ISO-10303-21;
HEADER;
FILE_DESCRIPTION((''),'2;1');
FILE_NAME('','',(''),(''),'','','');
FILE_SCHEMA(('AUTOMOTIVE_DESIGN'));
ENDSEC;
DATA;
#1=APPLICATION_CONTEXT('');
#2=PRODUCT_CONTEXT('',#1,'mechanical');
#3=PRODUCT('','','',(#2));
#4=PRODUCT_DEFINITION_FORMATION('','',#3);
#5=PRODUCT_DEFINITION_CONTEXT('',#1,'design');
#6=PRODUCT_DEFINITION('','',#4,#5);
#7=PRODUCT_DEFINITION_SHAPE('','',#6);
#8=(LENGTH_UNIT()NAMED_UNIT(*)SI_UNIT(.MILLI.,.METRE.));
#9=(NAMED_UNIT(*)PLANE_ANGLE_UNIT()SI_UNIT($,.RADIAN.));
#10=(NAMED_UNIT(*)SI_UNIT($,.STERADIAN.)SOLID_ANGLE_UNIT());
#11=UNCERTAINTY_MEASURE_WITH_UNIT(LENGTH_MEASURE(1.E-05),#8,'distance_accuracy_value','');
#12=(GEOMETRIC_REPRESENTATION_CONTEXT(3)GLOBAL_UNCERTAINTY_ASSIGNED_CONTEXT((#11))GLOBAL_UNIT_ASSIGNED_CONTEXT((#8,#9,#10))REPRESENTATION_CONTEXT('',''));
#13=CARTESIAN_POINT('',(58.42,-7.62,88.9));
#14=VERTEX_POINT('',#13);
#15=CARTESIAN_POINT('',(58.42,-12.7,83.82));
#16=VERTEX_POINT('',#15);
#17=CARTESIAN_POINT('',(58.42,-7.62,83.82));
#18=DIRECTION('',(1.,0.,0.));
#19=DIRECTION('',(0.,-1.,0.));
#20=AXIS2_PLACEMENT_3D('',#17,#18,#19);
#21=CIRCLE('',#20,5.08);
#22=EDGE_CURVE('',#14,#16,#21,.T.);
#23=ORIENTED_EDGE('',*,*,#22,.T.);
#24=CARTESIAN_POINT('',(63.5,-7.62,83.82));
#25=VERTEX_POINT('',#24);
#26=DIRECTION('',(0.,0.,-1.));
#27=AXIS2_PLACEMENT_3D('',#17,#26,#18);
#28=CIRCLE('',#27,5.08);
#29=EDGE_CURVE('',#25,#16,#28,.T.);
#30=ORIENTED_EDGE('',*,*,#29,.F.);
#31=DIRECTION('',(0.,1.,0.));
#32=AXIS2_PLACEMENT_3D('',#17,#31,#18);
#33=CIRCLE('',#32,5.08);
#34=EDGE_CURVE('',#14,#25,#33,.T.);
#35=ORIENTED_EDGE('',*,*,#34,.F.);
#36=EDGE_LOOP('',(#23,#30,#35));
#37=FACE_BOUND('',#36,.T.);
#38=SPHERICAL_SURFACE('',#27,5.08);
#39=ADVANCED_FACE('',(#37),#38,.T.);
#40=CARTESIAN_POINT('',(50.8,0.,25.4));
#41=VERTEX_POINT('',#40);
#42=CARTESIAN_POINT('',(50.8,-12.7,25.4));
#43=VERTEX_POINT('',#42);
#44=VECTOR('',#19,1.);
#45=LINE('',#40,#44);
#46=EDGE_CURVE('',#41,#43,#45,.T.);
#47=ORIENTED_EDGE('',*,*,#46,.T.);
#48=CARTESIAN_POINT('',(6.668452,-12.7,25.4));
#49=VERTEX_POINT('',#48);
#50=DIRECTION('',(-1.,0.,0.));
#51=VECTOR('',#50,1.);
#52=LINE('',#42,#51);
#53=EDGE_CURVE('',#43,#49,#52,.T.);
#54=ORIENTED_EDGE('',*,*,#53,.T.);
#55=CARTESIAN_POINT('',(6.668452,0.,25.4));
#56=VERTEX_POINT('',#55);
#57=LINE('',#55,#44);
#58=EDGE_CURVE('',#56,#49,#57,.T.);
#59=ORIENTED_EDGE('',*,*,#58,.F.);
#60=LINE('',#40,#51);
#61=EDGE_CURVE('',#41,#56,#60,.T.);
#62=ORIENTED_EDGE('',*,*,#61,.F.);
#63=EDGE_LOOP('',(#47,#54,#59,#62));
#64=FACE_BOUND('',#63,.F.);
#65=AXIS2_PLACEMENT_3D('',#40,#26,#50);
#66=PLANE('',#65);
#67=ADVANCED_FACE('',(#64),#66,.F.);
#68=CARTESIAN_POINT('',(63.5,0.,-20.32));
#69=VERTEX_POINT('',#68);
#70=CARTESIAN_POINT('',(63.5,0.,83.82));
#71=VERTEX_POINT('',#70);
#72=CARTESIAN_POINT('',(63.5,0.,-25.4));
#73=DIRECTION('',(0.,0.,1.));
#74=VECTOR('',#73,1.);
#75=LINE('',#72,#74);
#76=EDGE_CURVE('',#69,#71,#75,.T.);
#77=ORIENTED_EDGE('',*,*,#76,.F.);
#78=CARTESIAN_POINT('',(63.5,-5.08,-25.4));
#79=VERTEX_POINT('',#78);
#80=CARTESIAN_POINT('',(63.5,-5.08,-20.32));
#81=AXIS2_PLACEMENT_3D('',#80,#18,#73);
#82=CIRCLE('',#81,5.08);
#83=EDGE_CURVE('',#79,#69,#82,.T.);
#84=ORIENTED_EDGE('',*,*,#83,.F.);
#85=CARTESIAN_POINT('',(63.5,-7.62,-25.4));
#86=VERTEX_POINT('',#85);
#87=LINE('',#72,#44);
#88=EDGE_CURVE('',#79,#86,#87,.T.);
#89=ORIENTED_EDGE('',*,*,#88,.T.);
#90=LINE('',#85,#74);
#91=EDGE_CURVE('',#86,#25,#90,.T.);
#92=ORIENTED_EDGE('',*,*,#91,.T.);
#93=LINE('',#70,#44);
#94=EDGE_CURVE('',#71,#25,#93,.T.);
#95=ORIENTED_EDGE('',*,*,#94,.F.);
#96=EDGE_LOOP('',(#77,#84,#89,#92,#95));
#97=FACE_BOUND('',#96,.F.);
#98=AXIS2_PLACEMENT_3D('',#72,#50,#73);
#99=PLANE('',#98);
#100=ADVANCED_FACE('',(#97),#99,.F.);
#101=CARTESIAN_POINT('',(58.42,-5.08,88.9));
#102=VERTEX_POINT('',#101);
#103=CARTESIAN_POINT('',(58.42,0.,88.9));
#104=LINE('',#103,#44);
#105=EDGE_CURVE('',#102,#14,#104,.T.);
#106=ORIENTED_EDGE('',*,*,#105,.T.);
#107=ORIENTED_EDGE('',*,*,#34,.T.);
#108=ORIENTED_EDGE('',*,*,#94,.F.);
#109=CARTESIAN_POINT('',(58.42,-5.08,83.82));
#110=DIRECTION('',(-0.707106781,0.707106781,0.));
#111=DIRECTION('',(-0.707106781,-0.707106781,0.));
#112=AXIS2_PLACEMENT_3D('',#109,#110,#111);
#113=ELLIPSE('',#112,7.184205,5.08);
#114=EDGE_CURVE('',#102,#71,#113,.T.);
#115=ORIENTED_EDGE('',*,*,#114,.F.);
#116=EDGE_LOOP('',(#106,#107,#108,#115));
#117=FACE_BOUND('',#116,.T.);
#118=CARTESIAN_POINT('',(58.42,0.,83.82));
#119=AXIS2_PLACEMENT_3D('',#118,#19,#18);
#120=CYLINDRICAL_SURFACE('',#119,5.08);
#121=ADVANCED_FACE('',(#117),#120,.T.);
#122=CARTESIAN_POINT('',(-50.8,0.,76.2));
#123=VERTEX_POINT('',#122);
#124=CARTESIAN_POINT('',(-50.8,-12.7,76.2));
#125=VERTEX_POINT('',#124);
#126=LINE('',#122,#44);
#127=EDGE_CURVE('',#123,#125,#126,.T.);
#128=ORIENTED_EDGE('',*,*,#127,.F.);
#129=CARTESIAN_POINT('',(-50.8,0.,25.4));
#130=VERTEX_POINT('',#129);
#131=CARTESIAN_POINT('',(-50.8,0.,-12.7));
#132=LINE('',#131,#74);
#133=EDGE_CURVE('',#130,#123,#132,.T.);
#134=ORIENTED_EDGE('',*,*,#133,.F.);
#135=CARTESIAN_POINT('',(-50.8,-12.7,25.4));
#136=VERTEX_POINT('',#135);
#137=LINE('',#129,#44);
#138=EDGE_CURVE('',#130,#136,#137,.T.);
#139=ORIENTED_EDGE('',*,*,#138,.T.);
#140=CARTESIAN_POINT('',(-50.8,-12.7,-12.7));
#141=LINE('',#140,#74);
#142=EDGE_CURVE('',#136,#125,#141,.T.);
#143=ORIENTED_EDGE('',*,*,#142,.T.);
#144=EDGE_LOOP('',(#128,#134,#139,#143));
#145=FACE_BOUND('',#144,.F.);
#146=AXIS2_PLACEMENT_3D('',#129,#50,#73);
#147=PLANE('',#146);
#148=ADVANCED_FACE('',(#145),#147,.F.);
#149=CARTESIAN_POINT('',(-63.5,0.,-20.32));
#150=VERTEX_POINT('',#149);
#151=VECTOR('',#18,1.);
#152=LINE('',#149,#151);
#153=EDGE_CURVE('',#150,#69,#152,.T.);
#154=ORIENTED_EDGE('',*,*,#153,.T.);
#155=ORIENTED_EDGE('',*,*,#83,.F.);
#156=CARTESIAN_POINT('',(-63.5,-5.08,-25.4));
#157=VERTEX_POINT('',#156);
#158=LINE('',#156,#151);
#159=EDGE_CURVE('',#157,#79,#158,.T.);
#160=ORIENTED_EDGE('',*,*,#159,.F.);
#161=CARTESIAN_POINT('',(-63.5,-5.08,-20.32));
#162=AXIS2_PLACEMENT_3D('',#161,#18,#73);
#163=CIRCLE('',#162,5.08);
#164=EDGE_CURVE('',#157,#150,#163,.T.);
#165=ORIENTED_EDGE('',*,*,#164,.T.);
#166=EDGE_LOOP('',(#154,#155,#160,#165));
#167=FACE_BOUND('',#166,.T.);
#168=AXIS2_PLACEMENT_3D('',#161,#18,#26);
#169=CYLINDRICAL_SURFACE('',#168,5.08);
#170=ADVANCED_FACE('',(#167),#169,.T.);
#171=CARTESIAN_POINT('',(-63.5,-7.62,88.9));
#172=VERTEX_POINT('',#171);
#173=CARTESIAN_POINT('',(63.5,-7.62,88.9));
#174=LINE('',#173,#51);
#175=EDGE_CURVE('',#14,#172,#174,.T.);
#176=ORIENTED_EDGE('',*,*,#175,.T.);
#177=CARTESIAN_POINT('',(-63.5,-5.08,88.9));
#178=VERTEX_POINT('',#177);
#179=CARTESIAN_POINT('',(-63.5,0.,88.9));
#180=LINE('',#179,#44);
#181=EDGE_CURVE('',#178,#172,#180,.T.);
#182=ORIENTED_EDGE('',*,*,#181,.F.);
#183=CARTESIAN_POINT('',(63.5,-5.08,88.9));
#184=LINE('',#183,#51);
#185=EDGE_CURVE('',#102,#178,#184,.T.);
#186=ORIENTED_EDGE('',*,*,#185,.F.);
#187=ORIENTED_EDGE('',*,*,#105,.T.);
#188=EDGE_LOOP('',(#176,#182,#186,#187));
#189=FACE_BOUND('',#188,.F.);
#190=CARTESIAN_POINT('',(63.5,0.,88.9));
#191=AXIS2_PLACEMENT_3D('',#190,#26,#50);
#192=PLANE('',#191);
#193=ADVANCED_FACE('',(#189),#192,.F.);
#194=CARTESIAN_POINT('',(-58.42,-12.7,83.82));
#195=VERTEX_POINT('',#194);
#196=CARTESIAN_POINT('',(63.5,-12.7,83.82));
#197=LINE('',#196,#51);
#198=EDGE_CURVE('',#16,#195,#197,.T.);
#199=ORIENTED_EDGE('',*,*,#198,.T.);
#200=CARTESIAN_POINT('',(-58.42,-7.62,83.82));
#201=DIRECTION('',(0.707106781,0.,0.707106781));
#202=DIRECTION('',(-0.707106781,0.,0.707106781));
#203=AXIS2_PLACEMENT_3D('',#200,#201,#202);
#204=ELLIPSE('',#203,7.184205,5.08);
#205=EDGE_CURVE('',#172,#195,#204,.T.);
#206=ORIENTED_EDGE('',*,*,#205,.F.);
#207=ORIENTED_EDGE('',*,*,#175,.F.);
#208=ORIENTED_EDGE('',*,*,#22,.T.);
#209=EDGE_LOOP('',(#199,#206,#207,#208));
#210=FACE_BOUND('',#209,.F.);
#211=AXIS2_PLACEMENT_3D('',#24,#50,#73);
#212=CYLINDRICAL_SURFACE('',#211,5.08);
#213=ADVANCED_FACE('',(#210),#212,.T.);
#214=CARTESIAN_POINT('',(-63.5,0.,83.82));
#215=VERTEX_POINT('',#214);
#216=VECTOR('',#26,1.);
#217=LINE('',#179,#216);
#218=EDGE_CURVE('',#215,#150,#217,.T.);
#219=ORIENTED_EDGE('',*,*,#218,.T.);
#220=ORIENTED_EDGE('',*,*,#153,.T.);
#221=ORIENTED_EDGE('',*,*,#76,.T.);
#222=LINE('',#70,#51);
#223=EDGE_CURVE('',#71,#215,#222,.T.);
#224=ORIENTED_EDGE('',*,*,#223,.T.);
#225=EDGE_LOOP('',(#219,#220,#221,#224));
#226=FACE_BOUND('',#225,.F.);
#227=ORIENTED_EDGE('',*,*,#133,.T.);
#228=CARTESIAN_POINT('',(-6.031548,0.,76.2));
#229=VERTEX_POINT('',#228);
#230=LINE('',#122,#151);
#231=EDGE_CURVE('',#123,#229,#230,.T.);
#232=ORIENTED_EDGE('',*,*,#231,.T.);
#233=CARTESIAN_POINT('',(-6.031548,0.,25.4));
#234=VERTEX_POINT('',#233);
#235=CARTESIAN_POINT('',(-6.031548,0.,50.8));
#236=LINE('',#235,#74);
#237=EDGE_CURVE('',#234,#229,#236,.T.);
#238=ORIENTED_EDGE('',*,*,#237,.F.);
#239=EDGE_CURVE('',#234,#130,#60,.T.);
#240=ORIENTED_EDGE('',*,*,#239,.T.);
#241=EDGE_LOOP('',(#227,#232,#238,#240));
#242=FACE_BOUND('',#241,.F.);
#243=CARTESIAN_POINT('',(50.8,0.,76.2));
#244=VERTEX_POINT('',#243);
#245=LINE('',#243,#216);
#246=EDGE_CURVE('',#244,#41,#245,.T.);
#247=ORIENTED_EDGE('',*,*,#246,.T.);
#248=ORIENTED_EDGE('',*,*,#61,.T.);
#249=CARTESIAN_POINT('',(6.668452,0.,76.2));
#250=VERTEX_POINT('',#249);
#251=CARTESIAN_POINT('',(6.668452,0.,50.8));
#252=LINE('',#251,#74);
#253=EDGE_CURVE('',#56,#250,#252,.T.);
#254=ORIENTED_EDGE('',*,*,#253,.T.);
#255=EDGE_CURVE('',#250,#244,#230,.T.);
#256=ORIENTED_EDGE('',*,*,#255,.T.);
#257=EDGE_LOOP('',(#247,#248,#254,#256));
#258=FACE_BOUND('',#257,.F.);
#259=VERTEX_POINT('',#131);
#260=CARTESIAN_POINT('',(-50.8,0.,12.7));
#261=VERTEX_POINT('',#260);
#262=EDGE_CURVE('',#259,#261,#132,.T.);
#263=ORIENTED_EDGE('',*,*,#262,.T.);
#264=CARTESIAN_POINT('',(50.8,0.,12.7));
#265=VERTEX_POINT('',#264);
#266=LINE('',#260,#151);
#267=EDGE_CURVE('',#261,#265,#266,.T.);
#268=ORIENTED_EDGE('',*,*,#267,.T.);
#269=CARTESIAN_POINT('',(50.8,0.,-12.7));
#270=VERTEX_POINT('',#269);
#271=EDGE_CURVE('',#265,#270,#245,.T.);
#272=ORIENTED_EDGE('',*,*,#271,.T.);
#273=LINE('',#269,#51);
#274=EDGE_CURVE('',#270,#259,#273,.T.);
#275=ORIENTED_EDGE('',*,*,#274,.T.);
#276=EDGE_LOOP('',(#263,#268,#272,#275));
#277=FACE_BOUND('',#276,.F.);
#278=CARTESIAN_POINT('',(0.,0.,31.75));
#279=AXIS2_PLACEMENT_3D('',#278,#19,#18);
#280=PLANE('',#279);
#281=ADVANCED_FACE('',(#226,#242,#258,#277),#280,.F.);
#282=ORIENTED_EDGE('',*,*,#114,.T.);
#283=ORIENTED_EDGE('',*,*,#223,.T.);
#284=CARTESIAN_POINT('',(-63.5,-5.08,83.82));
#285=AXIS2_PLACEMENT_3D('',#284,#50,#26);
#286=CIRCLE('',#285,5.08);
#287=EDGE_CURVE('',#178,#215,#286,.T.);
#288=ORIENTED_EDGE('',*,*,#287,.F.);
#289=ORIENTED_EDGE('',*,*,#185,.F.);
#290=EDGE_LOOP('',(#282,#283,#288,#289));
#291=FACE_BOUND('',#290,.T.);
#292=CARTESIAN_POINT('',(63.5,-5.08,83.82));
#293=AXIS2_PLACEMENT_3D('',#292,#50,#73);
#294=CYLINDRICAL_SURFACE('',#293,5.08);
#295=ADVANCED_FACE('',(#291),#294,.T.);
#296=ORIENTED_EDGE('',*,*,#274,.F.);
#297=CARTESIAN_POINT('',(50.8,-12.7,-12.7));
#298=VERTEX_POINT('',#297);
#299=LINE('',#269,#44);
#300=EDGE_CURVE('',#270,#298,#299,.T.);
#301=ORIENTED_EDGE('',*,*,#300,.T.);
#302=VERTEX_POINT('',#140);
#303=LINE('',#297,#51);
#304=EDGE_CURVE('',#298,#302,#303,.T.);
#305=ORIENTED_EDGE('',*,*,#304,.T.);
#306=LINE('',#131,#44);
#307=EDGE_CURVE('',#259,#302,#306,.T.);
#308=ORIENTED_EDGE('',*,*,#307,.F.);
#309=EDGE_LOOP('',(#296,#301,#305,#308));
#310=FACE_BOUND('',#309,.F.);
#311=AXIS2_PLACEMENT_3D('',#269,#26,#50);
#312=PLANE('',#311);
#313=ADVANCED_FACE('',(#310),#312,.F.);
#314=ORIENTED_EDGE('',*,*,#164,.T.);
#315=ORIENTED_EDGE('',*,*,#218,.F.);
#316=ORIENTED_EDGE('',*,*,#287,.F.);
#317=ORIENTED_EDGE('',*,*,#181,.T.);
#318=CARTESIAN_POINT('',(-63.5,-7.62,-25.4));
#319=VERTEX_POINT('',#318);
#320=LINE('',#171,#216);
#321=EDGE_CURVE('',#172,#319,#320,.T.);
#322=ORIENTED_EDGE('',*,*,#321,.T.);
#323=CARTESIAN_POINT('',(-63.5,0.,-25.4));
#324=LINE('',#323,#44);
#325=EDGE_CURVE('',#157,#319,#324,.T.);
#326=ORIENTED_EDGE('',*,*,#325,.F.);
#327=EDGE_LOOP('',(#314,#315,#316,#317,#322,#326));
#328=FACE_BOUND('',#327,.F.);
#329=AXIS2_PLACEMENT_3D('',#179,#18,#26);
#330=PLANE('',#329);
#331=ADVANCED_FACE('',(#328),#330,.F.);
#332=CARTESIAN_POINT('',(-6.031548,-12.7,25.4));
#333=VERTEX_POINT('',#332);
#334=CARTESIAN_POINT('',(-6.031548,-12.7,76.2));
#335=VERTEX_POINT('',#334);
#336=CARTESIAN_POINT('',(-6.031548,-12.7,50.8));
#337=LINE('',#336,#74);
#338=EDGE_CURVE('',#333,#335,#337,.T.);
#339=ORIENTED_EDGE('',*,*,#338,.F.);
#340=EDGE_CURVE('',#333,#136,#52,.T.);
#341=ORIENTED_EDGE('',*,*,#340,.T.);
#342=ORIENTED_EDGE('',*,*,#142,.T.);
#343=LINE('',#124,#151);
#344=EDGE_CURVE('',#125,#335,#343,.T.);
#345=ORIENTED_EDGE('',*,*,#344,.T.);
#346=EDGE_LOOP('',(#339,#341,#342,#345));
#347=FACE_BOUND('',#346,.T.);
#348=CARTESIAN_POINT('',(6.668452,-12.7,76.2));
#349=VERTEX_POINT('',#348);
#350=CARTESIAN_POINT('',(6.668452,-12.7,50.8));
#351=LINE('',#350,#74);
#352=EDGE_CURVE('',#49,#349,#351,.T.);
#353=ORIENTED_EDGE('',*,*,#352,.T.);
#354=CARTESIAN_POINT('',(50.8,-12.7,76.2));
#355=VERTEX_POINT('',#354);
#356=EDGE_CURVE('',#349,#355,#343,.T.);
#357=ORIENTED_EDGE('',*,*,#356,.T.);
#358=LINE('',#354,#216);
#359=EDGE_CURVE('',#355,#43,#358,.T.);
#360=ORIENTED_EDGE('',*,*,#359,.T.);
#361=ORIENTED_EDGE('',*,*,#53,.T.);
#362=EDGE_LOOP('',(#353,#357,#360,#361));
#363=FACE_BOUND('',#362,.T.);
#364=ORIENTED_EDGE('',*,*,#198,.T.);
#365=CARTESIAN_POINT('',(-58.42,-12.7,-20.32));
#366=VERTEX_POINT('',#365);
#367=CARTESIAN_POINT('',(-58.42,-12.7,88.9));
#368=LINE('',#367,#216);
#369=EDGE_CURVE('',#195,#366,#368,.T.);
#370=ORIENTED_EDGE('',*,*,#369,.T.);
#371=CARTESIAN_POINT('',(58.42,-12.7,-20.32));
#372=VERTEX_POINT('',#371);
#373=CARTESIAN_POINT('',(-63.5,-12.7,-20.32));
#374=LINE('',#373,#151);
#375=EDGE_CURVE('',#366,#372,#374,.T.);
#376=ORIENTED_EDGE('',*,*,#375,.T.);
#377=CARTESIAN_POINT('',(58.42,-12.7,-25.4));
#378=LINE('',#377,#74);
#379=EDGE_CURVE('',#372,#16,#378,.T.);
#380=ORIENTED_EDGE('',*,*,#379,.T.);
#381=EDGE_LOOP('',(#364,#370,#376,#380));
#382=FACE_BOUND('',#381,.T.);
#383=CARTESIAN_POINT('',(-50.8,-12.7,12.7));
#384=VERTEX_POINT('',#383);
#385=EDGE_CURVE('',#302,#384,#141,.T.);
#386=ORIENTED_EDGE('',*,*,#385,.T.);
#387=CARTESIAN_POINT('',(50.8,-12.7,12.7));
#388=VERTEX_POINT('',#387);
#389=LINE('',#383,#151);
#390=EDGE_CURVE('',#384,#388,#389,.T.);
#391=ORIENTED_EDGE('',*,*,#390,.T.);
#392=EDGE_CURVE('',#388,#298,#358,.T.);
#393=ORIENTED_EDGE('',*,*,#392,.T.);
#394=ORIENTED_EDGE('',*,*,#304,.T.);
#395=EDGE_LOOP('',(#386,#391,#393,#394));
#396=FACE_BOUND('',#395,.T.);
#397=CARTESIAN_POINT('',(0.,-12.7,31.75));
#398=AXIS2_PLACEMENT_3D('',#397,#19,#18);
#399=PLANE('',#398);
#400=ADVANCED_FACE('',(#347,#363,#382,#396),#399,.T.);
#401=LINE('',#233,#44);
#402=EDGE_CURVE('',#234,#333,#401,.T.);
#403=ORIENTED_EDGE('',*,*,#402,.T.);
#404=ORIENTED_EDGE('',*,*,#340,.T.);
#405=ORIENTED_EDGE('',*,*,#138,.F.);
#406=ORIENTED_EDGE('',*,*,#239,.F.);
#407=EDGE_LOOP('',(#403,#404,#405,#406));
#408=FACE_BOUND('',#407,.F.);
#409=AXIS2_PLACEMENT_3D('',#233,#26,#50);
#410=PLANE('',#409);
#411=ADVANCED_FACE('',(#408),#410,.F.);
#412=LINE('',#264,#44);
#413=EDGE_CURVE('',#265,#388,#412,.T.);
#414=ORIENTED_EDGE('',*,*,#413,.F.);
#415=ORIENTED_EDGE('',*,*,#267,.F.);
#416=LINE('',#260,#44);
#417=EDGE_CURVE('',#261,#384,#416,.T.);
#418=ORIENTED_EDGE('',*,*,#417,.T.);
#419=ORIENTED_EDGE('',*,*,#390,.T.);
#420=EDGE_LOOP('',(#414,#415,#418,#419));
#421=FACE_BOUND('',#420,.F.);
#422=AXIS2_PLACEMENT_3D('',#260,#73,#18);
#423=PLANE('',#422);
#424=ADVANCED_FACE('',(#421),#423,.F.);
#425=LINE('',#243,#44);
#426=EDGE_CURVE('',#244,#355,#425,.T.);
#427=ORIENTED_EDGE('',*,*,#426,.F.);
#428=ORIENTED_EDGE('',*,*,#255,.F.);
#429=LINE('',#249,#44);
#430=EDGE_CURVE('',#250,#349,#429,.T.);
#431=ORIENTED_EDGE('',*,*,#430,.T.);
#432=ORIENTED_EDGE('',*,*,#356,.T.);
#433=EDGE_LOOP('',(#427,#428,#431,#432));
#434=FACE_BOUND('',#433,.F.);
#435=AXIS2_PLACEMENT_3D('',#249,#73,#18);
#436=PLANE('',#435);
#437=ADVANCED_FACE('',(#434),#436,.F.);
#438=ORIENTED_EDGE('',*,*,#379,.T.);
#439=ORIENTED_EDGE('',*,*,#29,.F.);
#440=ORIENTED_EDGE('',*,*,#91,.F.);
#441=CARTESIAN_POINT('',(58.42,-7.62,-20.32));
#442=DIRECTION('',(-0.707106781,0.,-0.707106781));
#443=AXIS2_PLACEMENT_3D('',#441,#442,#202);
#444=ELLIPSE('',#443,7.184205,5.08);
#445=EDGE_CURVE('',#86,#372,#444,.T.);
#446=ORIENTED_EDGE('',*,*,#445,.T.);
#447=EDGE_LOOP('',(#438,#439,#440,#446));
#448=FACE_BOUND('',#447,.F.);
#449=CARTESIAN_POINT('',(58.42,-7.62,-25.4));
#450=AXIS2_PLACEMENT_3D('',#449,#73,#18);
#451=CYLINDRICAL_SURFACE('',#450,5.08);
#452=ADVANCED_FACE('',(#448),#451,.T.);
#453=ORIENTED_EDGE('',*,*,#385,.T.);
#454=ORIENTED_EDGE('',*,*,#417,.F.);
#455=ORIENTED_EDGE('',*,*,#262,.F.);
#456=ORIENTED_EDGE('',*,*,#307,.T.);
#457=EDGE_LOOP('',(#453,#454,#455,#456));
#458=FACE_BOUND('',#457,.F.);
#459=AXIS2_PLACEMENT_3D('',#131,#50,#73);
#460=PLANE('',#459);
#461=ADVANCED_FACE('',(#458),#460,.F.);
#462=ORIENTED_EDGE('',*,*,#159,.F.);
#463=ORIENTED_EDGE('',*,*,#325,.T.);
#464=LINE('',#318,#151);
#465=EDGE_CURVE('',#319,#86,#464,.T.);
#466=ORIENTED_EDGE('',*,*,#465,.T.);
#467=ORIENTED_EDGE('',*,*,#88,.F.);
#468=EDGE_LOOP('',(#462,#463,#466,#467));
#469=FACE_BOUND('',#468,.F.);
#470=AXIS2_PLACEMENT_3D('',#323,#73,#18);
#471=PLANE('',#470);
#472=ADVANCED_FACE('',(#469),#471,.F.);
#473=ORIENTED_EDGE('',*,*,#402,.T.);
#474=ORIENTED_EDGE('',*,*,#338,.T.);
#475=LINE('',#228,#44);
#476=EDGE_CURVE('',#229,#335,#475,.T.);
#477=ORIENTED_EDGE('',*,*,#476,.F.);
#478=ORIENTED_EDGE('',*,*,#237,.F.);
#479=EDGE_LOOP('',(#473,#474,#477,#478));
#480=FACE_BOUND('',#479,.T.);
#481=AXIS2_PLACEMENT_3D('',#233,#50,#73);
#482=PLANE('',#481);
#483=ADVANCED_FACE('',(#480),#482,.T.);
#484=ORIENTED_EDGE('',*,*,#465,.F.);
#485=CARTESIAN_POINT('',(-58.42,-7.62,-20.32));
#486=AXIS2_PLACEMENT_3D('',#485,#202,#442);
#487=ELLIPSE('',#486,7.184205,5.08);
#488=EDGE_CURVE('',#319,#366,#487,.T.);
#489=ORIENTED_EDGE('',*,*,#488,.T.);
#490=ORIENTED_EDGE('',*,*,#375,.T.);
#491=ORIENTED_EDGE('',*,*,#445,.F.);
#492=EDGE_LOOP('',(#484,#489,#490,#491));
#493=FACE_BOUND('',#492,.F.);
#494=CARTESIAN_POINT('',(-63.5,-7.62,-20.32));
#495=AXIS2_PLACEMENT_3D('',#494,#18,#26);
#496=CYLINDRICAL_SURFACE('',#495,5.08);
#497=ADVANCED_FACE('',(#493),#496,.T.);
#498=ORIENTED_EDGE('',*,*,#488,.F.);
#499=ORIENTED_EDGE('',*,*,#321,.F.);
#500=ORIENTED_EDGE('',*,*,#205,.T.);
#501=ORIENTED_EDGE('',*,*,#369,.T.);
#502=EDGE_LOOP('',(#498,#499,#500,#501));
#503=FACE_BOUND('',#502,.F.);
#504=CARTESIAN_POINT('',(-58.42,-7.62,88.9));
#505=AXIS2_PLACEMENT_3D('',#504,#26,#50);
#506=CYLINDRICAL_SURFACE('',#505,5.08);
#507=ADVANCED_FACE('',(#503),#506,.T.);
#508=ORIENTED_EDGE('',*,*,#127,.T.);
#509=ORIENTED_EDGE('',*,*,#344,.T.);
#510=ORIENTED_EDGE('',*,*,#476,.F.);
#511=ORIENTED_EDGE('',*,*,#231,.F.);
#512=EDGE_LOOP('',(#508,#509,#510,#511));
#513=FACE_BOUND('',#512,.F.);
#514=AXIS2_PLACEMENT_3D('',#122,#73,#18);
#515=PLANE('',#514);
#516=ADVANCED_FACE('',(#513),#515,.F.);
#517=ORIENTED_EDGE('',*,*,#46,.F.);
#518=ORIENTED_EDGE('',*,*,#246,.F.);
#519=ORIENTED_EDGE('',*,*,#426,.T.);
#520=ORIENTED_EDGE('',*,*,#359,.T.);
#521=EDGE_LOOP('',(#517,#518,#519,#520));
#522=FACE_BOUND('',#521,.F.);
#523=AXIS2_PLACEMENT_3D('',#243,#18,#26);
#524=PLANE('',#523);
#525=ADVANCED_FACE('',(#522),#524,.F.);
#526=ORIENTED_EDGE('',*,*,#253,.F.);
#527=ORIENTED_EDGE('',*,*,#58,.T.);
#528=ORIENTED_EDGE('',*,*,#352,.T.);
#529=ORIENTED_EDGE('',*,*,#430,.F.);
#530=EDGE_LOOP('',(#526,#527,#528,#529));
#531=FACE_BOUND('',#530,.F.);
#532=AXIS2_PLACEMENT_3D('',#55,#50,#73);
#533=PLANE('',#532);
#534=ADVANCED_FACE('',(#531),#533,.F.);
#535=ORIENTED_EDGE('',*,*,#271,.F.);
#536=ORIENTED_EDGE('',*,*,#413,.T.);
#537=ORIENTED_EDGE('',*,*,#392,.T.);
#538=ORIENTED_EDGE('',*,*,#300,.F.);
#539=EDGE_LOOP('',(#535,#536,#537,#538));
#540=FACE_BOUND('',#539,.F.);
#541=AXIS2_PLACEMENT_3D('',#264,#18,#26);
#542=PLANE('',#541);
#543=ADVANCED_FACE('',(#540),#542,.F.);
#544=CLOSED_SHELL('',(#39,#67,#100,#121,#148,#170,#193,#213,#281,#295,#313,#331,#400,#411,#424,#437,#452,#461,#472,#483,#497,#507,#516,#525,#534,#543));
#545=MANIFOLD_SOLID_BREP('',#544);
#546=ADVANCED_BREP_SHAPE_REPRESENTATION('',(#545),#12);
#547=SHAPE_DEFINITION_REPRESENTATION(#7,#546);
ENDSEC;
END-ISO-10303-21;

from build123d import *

# Parameters (mm, degrees)
F0_W     = 12.7
F0_H     = 50.8
F1_DEPTH = 12.7
F2_R     = 5.08


with BuildPart() as f1:
    # F0 (on Front) → F1 (new body)
    with BuildSketch(Plane.XZ):
        Polygon((-63.5, 25.4), (-63.5, -25.4), (63.5, -25.4), (63.5, 25.4), (63.5, 88.9), (-63.5, 88.9), align=None)
        Polygon((-50.8, 12.7), (-50.8, 25.4), (-50.8, 76.2), (-6.031548, 76.2), (6.668452, 76.2), (50.8, 76.2), (50.8, 25.4), (50.8, 12.7), (50.8, -12.7), (-50.8, -12.7), align=None, mode=Mode.SUBTRACT)
        Polygon((-6.031548, 25.4), (-50.8, 25.4), (-50.8, 12.7), (50.8, 12.7), (50.8, 25.4), (6.668452, 25.4), align=None)
        with Locations((0.318452, 50.8)):
            Rectangle(F0_W, F0_H)
    extrude(amount=F1_DEPTH)

    # F2
    f2_edges = [f1.edges().sort_by_distance(p)[0] for p in [
        (0, 0, 88.9),
        (0, 0, -25.4),
        (63.5, -12.7, 31.75),
        (63.5, -6.35, 88.9),
        (0, -12.7, 88.9),
        (-63.5, -12.7, 31.75),
        (0, -12.7, -25.4),
    ]]
    fillet(f2_edges, radius=F2_R)


solid = f1.part
